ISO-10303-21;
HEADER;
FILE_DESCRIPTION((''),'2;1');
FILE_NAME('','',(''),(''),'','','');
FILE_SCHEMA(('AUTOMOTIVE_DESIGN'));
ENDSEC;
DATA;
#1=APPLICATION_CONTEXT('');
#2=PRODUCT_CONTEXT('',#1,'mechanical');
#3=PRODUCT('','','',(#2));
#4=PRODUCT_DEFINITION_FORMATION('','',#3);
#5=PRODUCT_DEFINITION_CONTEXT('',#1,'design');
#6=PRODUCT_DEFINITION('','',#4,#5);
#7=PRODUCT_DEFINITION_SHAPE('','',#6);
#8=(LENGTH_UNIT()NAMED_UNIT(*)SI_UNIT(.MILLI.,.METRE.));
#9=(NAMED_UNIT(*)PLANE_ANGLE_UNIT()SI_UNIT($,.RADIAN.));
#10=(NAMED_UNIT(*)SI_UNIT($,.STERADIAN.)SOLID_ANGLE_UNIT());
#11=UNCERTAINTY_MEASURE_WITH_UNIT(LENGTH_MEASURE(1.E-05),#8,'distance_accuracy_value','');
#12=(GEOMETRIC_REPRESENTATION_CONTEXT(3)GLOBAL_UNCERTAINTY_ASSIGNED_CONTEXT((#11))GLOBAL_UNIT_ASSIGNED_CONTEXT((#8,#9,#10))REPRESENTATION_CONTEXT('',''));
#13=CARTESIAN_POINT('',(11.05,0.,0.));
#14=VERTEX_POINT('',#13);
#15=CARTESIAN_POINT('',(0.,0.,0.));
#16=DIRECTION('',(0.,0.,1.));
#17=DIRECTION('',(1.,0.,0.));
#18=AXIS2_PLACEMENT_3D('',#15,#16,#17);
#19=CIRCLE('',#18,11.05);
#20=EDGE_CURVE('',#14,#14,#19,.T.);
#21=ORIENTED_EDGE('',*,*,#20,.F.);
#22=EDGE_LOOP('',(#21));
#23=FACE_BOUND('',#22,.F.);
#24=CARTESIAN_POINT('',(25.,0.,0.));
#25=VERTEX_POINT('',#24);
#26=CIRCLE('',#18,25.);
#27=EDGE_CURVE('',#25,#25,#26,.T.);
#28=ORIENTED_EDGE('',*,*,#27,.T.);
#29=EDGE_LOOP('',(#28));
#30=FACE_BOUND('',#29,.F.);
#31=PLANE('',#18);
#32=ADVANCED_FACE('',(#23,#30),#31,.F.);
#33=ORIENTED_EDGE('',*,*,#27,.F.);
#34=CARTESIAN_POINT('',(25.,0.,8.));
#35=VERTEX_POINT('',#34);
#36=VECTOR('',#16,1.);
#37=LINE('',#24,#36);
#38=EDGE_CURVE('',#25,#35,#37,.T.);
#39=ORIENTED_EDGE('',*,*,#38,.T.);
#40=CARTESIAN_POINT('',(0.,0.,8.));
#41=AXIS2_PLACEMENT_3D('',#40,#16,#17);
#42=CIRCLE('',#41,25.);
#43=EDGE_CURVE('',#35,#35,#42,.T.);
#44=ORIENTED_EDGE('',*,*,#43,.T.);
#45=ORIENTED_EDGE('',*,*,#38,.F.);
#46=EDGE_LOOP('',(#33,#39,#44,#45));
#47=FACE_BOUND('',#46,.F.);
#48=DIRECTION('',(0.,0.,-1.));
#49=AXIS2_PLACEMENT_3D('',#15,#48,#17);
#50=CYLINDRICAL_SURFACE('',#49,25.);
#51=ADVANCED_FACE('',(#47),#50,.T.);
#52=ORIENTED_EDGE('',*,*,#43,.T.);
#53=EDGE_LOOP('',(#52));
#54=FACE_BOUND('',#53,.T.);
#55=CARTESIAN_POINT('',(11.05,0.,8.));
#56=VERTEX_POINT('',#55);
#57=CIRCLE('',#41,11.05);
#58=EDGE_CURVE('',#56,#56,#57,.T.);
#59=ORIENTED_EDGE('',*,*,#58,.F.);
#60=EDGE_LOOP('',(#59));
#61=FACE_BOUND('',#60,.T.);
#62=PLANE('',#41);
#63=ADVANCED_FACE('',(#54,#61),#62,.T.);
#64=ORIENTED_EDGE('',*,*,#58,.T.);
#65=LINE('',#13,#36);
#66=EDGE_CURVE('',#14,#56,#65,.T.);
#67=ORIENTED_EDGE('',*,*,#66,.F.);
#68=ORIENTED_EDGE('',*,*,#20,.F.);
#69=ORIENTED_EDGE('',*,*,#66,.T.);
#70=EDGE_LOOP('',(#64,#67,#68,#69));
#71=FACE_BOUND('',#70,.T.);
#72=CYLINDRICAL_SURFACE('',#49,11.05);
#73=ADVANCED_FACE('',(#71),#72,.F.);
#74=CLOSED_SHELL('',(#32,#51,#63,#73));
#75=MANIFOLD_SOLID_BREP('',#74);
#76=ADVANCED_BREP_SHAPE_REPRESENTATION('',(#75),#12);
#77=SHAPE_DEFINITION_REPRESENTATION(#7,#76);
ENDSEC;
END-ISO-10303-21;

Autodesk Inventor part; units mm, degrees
ref_plane "YZ Plane" through (0, 0, 0) normal (1, 0, 0) x (0, 1, 0)
ref_plane "XZ Plane" through (0, 0, 0) normal (0, 1, 0) x (-1, 0, 0)
ref_plane "XY Plane" through (0, 0, 0) normal (0, 0, 1) x (1, 0, 0)
sketch "Sketch1" plane through (0, 0, 0) normal (0, 0, 1) x (1, 0, 0)
  circle A0 centre (0, 0) radius 25
  circle A1 centre (0, 0) radius 11.05
  dimension "d0" = 50
  dimension "d1" = 22.1
extrude "Extrusion1" add sketch "Sketch1" along normal blind 8
properties part number "middle_wheel"
